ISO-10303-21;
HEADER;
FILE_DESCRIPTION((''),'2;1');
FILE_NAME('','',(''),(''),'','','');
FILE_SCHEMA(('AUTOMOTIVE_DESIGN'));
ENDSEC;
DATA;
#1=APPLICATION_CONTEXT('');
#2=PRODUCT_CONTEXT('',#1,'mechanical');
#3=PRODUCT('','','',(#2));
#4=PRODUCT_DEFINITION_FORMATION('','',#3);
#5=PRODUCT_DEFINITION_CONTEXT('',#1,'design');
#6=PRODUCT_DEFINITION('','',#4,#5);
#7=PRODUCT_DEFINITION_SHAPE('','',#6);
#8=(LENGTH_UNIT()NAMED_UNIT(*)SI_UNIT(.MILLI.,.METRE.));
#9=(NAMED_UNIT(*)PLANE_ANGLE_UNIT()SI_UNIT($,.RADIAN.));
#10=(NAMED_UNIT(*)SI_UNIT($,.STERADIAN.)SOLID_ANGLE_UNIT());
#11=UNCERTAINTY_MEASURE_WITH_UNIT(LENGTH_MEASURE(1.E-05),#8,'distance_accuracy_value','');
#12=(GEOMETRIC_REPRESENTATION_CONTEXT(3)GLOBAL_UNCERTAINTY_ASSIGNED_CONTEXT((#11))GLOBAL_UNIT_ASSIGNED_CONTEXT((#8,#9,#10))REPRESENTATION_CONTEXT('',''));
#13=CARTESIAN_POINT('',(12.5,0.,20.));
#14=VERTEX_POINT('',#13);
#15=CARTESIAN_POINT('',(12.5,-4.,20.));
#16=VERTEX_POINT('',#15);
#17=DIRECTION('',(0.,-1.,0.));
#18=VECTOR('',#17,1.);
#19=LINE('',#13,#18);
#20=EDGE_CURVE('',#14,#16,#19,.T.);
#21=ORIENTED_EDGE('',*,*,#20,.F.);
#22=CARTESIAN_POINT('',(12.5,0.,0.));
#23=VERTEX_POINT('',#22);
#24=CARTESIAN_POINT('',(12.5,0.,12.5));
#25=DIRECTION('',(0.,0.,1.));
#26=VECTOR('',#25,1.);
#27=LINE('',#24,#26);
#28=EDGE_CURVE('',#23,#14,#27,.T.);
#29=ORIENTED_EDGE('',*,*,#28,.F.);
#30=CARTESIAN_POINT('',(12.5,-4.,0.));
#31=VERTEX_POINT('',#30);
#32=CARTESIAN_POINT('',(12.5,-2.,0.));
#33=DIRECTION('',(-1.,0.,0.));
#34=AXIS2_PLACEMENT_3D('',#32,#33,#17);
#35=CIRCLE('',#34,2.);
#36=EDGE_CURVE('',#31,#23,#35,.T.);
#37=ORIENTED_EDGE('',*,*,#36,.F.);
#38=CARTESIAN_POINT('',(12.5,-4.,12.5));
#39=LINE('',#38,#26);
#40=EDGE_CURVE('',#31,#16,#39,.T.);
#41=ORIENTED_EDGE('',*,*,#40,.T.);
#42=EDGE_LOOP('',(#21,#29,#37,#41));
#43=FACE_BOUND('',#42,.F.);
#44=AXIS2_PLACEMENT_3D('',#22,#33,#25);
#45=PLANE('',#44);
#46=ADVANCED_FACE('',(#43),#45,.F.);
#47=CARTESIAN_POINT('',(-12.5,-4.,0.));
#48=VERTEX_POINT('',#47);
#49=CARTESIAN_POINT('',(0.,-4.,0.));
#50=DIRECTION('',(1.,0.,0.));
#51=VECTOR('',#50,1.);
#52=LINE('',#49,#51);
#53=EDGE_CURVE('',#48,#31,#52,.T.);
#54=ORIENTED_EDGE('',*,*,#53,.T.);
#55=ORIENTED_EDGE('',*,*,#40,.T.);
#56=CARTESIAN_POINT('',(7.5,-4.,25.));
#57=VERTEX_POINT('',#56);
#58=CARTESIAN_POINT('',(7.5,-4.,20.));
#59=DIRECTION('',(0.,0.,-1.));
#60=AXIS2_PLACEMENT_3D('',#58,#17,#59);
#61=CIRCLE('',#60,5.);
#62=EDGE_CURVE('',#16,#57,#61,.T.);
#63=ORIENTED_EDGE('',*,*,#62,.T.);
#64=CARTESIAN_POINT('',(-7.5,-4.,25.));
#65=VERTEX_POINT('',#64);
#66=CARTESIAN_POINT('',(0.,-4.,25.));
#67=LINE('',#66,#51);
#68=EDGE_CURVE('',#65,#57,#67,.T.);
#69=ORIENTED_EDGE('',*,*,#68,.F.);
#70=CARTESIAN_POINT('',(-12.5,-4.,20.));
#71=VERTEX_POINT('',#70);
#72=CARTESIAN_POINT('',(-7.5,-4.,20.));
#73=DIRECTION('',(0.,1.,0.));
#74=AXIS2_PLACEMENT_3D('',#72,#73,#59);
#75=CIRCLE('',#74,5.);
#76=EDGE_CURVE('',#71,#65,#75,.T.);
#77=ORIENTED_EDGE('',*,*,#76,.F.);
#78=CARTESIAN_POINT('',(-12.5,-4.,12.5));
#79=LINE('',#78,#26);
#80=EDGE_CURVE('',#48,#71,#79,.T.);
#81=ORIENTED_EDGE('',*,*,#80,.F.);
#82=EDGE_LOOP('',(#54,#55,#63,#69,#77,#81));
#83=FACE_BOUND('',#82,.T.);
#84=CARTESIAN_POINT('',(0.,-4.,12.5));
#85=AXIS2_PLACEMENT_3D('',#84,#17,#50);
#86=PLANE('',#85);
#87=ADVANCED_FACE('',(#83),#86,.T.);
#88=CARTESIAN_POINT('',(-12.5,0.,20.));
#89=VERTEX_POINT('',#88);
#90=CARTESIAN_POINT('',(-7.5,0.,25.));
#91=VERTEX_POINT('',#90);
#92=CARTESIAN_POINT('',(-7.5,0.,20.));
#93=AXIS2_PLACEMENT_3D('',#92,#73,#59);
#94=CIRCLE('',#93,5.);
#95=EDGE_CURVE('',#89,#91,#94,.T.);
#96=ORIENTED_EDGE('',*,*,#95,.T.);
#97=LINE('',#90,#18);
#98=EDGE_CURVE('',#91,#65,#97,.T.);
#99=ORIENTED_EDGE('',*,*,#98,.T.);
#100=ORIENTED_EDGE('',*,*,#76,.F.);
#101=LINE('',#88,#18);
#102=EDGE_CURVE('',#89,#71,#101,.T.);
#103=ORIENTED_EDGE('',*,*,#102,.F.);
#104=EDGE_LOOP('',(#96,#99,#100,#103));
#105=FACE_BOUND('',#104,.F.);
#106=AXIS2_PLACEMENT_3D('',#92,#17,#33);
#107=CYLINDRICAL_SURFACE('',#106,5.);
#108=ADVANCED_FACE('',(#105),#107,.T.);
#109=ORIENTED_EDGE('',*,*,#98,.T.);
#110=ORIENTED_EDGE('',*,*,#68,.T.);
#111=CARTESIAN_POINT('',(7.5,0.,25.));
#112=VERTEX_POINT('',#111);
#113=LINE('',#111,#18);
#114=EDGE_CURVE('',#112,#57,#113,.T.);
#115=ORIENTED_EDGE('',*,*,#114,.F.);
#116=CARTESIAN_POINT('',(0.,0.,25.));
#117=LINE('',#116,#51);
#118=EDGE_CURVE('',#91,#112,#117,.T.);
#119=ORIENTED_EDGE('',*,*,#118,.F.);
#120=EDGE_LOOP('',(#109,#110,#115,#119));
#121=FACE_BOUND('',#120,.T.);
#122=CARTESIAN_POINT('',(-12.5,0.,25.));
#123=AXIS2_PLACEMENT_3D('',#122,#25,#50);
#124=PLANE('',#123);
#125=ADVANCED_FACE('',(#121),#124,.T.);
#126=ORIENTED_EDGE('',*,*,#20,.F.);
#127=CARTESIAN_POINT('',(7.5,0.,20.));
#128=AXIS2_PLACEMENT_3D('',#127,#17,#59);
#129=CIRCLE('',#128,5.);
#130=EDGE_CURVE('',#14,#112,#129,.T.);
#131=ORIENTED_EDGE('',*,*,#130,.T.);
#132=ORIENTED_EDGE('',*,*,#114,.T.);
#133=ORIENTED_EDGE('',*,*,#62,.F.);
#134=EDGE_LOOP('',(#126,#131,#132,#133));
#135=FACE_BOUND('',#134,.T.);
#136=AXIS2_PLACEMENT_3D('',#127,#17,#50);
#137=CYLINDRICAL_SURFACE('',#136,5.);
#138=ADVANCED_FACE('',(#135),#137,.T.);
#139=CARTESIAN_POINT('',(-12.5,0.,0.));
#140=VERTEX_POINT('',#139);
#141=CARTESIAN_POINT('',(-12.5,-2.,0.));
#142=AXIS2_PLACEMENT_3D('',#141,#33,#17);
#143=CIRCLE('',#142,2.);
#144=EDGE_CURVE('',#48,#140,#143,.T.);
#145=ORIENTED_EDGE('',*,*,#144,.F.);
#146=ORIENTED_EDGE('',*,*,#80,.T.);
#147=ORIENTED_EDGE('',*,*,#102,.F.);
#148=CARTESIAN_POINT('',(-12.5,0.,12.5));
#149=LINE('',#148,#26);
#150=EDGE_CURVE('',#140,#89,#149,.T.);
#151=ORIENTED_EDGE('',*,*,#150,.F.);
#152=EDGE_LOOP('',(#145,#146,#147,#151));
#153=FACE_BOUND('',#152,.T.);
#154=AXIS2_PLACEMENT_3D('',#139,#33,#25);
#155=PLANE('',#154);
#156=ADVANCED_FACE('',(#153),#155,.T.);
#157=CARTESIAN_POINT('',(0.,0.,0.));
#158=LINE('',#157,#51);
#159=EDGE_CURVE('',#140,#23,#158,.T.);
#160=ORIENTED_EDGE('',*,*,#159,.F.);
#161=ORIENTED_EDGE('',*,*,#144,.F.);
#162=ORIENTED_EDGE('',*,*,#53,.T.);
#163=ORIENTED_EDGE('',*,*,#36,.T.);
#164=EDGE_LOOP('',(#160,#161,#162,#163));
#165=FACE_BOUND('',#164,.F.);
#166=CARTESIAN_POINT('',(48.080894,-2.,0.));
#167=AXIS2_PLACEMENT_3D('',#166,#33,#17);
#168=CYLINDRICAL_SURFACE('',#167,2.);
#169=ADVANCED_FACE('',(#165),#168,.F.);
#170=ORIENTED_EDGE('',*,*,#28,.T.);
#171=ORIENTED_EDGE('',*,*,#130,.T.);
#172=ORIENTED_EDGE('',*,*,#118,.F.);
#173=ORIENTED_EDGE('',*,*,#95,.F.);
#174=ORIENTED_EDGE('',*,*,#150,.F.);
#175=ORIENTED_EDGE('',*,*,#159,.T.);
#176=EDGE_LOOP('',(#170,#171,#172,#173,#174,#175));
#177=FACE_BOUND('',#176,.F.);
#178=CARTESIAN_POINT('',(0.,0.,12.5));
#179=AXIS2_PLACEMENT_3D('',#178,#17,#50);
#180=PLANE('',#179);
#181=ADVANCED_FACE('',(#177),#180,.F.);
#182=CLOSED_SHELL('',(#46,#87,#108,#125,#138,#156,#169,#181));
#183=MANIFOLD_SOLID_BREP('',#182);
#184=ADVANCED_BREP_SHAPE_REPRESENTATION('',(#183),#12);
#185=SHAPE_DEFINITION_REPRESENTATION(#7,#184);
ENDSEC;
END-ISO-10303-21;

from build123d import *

# Parameters (mm, degrees)
F0_W     = 25
F0_H     = 25
F1_DEPTH = 4
F2_R     = 5
F4_D     = 4


with BuildPart() as f1:
    # F0 (on Front) → F1 (new body)
    with BuildSketch(Plane.XZ):
        with Locations((0, 12.5)):
            Rectangle(F0_W, F0_H)
    extrude(amount=F1_DEPTH)

    # F2
    f2_edges = [f1.edges().sort_by_distance(p)[0] for p in [
        (-12.5, -2, 25),
        (12.5, -2, 25),
    ]]
    fillet(f2_edges, radius=F2_R)

    # F4 (through all)
    with Locations(Plane.YZ.offset(12.5)):
        with Locations((-2, 0)):
            Hole(F4_D / 2)


solid = f1.part
